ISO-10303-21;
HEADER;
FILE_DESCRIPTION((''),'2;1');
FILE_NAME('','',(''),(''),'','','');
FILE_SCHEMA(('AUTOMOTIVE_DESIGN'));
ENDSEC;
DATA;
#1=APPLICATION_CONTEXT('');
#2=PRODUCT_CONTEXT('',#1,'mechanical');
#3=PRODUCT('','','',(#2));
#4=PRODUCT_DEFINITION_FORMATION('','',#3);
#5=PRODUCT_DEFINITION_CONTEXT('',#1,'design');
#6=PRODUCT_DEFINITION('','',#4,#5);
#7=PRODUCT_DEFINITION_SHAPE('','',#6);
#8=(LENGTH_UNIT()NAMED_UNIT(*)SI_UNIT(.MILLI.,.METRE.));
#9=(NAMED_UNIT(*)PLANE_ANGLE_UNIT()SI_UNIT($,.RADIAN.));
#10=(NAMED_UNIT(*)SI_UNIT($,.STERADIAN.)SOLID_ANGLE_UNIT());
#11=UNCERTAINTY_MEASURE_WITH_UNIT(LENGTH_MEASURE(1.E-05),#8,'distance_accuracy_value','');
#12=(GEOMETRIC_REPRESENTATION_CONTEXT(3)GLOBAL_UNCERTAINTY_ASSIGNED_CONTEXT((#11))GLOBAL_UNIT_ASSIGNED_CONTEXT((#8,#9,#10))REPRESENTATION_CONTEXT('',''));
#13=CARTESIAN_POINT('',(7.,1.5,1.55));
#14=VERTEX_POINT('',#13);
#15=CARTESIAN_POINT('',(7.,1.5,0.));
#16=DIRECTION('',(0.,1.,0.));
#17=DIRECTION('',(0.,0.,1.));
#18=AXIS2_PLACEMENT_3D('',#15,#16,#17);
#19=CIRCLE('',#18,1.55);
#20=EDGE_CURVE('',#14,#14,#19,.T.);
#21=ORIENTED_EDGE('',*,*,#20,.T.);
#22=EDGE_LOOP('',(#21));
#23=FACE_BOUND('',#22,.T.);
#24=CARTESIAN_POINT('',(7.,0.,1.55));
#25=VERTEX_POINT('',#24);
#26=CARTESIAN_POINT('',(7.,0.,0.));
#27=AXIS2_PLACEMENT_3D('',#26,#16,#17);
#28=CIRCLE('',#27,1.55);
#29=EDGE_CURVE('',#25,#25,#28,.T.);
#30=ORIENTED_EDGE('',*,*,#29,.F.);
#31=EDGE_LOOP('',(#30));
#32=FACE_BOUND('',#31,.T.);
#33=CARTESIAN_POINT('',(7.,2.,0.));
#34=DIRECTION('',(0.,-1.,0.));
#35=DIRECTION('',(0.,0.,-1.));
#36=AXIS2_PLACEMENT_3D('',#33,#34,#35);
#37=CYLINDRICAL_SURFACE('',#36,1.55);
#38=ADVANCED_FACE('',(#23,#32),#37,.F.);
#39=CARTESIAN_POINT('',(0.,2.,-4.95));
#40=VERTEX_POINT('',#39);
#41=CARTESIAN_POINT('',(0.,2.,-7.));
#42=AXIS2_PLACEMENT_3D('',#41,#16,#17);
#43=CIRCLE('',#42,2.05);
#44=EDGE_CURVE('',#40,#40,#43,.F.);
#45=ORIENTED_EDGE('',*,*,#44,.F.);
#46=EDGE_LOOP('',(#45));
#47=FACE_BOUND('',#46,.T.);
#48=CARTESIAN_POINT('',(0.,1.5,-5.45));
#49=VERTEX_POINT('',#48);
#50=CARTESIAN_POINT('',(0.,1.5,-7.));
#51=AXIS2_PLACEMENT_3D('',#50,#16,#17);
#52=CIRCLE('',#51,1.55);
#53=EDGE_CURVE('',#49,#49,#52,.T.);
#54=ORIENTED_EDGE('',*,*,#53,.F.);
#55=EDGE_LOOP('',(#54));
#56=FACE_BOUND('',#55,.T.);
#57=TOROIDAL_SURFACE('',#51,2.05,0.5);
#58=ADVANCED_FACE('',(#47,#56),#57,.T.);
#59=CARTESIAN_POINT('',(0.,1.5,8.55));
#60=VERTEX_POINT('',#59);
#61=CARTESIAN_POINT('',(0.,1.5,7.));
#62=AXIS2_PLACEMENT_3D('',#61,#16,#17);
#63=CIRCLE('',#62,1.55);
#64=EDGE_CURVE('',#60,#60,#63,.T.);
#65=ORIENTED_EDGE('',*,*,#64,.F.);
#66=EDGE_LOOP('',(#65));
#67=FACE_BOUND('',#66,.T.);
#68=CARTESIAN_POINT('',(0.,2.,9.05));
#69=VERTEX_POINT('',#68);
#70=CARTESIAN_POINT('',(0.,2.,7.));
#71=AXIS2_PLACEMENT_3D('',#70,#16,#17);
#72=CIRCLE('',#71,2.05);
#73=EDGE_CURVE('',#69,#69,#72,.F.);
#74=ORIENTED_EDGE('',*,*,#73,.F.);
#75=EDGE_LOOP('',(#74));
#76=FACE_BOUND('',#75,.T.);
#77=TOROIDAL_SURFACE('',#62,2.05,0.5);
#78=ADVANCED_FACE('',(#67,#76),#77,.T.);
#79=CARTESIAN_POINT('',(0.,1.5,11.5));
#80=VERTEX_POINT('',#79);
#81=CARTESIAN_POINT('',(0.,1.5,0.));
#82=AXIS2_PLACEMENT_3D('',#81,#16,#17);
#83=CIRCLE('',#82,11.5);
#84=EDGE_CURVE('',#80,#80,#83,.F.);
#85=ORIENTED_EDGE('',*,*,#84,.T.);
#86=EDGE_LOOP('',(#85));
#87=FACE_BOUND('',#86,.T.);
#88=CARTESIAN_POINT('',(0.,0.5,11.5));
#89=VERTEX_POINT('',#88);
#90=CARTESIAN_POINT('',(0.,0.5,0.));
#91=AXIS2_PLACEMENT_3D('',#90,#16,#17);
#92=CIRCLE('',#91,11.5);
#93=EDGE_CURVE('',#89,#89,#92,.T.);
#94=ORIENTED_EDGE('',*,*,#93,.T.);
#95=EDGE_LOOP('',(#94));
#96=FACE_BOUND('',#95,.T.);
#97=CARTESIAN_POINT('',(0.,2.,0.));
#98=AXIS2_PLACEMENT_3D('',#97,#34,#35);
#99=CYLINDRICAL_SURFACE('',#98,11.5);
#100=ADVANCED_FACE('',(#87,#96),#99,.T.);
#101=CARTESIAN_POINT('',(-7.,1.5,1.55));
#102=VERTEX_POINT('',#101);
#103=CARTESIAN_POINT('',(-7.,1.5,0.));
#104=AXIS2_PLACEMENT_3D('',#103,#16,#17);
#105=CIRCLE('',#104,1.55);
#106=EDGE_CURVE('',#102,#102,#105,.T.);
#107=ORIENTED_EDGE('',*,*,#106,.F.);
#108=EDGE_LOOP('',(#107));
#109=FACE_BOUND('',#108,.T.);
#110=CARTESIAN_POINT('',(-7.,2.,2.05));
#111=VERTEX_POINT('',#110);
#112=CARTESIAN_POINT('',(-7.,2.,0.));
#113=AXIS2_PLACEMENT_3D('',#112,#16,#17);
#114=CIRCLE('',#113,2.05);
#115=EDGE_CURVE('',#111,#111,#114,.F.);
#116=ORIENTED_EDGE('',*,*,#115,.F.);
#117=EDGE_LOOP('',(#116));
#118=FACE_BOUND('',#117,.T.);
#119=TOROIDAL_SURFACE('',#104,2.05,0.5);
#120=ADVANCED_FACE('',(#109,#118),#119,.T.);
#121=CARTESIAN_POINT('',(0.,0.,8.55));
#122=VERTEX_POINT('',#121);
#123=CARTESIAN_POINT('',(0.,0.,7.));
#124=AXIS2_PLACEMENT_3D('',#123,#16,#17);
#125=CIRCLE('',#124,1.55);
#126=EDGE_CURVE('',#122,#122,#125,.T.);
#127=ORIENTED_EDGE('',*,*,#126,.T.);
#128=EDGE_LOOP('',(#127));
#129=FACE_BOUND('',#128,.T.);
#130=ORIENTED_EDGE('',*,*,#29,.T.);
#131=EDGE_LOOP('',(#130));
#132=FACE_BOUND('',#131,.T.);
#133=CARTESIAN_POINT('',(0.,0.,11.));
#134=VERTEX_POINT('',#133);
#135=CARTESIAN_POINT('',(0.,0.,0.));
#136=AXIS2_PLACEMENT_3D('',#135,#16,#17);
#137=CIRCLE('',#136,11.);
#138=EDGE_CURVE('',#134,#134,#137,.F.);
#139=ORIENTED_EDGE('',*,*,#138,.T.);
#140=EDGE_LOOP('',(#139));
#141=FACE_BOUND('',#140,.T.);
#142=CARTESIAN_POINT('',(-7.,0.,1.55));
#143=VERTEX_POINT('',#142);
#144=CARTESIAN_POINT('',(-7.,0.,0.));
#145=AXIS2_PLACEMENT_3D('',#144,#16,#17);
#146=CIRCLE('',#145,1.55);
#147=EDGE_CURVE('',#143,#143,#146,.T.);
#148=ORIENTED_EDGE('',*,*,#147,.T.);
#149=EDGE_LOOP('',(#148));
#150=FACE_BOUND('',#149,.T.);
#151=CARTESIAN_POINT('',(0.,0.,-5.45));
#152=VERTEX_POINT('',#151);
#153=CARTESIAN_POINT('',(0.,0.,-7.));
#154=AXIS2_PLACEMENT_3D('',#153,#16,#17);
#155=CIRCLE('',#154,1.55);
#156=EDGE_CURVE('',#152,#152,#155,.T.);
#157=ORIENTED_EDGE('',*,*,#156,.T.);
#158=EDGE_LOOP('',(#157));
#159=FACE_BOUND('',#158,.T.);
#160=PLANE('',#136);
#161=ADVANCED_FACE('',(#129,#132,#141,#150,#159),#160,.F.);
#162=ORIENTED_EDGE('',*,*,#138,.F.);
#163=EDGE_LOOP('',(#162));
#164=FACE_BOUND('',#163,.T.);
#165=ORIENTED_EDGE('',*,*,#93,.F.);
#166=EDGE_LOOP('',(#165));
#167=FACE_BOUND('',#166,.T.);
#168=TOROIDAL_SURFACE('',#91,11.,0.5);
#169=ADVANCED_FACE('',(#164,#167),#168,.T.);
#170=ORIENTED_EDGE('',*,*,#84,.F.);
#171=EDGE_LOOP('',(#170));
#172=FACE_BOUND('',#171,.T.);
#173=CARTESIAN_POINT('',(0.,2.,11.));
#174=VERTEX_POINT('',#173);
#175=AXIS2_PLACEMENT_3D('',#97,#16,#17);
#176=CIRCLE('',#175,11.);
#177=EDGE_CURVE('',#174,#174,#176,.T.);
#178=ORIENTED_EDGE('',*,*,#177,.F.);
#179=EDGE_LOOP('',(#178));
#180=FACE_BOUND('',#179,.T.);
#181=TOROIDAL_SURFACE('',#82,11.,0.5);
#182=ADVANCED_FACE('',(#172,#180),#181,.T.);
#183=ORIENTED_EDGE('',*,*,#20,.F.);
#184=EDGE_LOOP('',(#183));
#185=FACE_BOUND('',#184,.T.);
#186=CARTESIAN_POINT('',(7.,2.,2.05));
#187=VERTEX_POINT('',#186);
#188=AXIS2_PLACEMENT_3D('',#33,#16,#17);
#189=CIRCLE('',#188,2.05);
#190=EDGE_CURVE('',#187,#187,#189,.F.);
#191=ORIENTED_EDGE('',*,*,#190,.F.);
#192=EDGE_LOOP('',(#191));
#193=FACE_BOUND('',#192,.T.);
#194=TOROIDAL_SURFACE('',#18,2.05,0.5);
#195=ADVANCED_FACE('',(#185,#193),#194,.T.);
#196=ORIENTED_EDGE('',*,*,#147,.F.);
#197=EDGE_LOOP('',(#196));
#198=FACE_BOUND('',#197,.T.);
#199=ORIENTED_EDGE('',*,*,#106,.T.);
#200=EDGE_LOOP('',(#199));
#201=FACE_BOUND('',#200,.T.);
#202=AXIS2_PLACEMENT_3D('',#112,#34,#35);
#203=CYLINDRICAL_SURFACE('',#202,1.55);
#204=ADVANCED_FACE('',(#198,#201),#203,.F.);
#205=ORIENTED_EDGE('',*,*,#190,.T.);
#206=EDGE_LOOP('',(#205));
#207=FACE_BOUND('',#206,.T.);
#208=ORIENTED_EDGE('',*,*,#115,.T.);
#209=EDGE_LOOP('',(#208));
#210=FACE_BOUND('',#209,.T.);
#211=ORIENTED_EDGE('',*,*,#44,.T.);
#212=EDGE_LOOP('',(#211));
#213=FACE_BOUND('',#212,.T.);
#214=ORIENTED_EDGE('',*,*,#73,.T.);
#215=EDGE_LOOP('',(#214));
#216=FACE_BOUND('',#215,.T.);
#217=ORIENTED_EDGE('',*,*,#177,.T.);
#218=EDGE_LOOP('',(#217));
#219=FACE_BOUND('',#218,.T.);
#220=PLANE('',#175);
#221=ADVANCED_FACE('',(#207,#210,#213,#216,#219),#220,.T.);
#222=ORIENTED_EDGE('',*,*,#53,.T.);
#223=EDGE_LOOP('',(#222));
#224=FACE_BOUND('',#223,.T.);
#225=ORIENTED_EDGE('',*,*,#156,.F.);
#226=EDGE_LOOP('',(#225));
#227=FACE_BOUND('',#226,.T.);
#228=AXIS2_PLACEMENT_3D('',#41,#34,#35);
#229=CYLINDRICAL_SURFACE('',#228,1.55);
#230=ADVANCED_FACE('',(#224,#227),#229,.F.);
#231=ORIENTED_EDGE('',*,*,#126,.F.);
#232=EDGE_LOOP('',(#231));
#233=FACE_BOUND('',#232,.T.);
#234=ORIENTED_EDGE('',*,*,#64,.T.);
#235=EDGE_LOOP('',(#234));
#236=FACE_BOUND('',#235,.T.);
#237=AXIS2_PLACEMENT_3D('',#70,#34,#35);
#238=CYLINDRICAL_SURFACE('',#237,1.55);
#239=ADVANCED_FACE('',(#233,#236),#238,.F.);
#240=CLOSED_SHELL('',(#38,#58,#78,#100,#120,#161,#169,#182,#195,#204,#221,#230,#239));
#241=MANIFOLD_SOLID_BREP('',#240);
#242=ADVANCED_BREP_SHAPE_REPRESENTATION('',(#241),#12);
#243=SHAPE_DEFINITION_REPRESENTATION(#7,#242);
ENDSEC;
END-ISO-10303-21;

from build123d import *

# Parameters (mm, degrees)
SKETCH1_R           = 11.5
SKETCH1_R_2         = 1.55
BOSS_EXTRUDE1_DEPTH = 2
FILLET1_R           = 0.5


with BuildPart() as part:
    # Sketch1 → Boss-Extrude1 (new body)
    with BuildSketch(Plane(origin=(0, 0, 0), x_dir=(1, 0, 0), z_dir=(0, 1, 0))):
        with Locations(Location((0, 0, 0), (0, 0, 270))):
            Circle(SKETCH1_R)
        with Locations(Location((0, 7, 0), (0, 0, 270))):
            Circle(SKETCH1_R_2, mode=Mode.SUBTRACT)
        with Locations(Location((7, 0, 0), (0, 0, 270))):
            Circle(SKETCH1_R_2, mode=Mode.SUBTRACT)
        with Locations(Location((0, -7, 0), (0, 0, 270))):
            Circle(SKETCH1_R_2, mode=Mode.SUBTRACT)
        with Locations(Location((-7, 0, 0), (0, 0, 270))):
            Circle(SKETCH1_R_2, mode=Mode.SUBTRACT)
    extrude(amount=BOSS_EXTRUDE1_DEPTH)

    # Fillet1
    fillet1_edges = [part.edges().sort_by_distance(p)[0] for p in [
        (0, 2, 5.45),
        (-7, 2, -1.55),
        (0, 0, -11.5),
        (0, 2, -11.5),
        (0, 2, -8.55),
        (7, 2, -1.55),
    ]]
    fillet(fillet1_edges, radius=FILLET1_R)


solid = part.part
